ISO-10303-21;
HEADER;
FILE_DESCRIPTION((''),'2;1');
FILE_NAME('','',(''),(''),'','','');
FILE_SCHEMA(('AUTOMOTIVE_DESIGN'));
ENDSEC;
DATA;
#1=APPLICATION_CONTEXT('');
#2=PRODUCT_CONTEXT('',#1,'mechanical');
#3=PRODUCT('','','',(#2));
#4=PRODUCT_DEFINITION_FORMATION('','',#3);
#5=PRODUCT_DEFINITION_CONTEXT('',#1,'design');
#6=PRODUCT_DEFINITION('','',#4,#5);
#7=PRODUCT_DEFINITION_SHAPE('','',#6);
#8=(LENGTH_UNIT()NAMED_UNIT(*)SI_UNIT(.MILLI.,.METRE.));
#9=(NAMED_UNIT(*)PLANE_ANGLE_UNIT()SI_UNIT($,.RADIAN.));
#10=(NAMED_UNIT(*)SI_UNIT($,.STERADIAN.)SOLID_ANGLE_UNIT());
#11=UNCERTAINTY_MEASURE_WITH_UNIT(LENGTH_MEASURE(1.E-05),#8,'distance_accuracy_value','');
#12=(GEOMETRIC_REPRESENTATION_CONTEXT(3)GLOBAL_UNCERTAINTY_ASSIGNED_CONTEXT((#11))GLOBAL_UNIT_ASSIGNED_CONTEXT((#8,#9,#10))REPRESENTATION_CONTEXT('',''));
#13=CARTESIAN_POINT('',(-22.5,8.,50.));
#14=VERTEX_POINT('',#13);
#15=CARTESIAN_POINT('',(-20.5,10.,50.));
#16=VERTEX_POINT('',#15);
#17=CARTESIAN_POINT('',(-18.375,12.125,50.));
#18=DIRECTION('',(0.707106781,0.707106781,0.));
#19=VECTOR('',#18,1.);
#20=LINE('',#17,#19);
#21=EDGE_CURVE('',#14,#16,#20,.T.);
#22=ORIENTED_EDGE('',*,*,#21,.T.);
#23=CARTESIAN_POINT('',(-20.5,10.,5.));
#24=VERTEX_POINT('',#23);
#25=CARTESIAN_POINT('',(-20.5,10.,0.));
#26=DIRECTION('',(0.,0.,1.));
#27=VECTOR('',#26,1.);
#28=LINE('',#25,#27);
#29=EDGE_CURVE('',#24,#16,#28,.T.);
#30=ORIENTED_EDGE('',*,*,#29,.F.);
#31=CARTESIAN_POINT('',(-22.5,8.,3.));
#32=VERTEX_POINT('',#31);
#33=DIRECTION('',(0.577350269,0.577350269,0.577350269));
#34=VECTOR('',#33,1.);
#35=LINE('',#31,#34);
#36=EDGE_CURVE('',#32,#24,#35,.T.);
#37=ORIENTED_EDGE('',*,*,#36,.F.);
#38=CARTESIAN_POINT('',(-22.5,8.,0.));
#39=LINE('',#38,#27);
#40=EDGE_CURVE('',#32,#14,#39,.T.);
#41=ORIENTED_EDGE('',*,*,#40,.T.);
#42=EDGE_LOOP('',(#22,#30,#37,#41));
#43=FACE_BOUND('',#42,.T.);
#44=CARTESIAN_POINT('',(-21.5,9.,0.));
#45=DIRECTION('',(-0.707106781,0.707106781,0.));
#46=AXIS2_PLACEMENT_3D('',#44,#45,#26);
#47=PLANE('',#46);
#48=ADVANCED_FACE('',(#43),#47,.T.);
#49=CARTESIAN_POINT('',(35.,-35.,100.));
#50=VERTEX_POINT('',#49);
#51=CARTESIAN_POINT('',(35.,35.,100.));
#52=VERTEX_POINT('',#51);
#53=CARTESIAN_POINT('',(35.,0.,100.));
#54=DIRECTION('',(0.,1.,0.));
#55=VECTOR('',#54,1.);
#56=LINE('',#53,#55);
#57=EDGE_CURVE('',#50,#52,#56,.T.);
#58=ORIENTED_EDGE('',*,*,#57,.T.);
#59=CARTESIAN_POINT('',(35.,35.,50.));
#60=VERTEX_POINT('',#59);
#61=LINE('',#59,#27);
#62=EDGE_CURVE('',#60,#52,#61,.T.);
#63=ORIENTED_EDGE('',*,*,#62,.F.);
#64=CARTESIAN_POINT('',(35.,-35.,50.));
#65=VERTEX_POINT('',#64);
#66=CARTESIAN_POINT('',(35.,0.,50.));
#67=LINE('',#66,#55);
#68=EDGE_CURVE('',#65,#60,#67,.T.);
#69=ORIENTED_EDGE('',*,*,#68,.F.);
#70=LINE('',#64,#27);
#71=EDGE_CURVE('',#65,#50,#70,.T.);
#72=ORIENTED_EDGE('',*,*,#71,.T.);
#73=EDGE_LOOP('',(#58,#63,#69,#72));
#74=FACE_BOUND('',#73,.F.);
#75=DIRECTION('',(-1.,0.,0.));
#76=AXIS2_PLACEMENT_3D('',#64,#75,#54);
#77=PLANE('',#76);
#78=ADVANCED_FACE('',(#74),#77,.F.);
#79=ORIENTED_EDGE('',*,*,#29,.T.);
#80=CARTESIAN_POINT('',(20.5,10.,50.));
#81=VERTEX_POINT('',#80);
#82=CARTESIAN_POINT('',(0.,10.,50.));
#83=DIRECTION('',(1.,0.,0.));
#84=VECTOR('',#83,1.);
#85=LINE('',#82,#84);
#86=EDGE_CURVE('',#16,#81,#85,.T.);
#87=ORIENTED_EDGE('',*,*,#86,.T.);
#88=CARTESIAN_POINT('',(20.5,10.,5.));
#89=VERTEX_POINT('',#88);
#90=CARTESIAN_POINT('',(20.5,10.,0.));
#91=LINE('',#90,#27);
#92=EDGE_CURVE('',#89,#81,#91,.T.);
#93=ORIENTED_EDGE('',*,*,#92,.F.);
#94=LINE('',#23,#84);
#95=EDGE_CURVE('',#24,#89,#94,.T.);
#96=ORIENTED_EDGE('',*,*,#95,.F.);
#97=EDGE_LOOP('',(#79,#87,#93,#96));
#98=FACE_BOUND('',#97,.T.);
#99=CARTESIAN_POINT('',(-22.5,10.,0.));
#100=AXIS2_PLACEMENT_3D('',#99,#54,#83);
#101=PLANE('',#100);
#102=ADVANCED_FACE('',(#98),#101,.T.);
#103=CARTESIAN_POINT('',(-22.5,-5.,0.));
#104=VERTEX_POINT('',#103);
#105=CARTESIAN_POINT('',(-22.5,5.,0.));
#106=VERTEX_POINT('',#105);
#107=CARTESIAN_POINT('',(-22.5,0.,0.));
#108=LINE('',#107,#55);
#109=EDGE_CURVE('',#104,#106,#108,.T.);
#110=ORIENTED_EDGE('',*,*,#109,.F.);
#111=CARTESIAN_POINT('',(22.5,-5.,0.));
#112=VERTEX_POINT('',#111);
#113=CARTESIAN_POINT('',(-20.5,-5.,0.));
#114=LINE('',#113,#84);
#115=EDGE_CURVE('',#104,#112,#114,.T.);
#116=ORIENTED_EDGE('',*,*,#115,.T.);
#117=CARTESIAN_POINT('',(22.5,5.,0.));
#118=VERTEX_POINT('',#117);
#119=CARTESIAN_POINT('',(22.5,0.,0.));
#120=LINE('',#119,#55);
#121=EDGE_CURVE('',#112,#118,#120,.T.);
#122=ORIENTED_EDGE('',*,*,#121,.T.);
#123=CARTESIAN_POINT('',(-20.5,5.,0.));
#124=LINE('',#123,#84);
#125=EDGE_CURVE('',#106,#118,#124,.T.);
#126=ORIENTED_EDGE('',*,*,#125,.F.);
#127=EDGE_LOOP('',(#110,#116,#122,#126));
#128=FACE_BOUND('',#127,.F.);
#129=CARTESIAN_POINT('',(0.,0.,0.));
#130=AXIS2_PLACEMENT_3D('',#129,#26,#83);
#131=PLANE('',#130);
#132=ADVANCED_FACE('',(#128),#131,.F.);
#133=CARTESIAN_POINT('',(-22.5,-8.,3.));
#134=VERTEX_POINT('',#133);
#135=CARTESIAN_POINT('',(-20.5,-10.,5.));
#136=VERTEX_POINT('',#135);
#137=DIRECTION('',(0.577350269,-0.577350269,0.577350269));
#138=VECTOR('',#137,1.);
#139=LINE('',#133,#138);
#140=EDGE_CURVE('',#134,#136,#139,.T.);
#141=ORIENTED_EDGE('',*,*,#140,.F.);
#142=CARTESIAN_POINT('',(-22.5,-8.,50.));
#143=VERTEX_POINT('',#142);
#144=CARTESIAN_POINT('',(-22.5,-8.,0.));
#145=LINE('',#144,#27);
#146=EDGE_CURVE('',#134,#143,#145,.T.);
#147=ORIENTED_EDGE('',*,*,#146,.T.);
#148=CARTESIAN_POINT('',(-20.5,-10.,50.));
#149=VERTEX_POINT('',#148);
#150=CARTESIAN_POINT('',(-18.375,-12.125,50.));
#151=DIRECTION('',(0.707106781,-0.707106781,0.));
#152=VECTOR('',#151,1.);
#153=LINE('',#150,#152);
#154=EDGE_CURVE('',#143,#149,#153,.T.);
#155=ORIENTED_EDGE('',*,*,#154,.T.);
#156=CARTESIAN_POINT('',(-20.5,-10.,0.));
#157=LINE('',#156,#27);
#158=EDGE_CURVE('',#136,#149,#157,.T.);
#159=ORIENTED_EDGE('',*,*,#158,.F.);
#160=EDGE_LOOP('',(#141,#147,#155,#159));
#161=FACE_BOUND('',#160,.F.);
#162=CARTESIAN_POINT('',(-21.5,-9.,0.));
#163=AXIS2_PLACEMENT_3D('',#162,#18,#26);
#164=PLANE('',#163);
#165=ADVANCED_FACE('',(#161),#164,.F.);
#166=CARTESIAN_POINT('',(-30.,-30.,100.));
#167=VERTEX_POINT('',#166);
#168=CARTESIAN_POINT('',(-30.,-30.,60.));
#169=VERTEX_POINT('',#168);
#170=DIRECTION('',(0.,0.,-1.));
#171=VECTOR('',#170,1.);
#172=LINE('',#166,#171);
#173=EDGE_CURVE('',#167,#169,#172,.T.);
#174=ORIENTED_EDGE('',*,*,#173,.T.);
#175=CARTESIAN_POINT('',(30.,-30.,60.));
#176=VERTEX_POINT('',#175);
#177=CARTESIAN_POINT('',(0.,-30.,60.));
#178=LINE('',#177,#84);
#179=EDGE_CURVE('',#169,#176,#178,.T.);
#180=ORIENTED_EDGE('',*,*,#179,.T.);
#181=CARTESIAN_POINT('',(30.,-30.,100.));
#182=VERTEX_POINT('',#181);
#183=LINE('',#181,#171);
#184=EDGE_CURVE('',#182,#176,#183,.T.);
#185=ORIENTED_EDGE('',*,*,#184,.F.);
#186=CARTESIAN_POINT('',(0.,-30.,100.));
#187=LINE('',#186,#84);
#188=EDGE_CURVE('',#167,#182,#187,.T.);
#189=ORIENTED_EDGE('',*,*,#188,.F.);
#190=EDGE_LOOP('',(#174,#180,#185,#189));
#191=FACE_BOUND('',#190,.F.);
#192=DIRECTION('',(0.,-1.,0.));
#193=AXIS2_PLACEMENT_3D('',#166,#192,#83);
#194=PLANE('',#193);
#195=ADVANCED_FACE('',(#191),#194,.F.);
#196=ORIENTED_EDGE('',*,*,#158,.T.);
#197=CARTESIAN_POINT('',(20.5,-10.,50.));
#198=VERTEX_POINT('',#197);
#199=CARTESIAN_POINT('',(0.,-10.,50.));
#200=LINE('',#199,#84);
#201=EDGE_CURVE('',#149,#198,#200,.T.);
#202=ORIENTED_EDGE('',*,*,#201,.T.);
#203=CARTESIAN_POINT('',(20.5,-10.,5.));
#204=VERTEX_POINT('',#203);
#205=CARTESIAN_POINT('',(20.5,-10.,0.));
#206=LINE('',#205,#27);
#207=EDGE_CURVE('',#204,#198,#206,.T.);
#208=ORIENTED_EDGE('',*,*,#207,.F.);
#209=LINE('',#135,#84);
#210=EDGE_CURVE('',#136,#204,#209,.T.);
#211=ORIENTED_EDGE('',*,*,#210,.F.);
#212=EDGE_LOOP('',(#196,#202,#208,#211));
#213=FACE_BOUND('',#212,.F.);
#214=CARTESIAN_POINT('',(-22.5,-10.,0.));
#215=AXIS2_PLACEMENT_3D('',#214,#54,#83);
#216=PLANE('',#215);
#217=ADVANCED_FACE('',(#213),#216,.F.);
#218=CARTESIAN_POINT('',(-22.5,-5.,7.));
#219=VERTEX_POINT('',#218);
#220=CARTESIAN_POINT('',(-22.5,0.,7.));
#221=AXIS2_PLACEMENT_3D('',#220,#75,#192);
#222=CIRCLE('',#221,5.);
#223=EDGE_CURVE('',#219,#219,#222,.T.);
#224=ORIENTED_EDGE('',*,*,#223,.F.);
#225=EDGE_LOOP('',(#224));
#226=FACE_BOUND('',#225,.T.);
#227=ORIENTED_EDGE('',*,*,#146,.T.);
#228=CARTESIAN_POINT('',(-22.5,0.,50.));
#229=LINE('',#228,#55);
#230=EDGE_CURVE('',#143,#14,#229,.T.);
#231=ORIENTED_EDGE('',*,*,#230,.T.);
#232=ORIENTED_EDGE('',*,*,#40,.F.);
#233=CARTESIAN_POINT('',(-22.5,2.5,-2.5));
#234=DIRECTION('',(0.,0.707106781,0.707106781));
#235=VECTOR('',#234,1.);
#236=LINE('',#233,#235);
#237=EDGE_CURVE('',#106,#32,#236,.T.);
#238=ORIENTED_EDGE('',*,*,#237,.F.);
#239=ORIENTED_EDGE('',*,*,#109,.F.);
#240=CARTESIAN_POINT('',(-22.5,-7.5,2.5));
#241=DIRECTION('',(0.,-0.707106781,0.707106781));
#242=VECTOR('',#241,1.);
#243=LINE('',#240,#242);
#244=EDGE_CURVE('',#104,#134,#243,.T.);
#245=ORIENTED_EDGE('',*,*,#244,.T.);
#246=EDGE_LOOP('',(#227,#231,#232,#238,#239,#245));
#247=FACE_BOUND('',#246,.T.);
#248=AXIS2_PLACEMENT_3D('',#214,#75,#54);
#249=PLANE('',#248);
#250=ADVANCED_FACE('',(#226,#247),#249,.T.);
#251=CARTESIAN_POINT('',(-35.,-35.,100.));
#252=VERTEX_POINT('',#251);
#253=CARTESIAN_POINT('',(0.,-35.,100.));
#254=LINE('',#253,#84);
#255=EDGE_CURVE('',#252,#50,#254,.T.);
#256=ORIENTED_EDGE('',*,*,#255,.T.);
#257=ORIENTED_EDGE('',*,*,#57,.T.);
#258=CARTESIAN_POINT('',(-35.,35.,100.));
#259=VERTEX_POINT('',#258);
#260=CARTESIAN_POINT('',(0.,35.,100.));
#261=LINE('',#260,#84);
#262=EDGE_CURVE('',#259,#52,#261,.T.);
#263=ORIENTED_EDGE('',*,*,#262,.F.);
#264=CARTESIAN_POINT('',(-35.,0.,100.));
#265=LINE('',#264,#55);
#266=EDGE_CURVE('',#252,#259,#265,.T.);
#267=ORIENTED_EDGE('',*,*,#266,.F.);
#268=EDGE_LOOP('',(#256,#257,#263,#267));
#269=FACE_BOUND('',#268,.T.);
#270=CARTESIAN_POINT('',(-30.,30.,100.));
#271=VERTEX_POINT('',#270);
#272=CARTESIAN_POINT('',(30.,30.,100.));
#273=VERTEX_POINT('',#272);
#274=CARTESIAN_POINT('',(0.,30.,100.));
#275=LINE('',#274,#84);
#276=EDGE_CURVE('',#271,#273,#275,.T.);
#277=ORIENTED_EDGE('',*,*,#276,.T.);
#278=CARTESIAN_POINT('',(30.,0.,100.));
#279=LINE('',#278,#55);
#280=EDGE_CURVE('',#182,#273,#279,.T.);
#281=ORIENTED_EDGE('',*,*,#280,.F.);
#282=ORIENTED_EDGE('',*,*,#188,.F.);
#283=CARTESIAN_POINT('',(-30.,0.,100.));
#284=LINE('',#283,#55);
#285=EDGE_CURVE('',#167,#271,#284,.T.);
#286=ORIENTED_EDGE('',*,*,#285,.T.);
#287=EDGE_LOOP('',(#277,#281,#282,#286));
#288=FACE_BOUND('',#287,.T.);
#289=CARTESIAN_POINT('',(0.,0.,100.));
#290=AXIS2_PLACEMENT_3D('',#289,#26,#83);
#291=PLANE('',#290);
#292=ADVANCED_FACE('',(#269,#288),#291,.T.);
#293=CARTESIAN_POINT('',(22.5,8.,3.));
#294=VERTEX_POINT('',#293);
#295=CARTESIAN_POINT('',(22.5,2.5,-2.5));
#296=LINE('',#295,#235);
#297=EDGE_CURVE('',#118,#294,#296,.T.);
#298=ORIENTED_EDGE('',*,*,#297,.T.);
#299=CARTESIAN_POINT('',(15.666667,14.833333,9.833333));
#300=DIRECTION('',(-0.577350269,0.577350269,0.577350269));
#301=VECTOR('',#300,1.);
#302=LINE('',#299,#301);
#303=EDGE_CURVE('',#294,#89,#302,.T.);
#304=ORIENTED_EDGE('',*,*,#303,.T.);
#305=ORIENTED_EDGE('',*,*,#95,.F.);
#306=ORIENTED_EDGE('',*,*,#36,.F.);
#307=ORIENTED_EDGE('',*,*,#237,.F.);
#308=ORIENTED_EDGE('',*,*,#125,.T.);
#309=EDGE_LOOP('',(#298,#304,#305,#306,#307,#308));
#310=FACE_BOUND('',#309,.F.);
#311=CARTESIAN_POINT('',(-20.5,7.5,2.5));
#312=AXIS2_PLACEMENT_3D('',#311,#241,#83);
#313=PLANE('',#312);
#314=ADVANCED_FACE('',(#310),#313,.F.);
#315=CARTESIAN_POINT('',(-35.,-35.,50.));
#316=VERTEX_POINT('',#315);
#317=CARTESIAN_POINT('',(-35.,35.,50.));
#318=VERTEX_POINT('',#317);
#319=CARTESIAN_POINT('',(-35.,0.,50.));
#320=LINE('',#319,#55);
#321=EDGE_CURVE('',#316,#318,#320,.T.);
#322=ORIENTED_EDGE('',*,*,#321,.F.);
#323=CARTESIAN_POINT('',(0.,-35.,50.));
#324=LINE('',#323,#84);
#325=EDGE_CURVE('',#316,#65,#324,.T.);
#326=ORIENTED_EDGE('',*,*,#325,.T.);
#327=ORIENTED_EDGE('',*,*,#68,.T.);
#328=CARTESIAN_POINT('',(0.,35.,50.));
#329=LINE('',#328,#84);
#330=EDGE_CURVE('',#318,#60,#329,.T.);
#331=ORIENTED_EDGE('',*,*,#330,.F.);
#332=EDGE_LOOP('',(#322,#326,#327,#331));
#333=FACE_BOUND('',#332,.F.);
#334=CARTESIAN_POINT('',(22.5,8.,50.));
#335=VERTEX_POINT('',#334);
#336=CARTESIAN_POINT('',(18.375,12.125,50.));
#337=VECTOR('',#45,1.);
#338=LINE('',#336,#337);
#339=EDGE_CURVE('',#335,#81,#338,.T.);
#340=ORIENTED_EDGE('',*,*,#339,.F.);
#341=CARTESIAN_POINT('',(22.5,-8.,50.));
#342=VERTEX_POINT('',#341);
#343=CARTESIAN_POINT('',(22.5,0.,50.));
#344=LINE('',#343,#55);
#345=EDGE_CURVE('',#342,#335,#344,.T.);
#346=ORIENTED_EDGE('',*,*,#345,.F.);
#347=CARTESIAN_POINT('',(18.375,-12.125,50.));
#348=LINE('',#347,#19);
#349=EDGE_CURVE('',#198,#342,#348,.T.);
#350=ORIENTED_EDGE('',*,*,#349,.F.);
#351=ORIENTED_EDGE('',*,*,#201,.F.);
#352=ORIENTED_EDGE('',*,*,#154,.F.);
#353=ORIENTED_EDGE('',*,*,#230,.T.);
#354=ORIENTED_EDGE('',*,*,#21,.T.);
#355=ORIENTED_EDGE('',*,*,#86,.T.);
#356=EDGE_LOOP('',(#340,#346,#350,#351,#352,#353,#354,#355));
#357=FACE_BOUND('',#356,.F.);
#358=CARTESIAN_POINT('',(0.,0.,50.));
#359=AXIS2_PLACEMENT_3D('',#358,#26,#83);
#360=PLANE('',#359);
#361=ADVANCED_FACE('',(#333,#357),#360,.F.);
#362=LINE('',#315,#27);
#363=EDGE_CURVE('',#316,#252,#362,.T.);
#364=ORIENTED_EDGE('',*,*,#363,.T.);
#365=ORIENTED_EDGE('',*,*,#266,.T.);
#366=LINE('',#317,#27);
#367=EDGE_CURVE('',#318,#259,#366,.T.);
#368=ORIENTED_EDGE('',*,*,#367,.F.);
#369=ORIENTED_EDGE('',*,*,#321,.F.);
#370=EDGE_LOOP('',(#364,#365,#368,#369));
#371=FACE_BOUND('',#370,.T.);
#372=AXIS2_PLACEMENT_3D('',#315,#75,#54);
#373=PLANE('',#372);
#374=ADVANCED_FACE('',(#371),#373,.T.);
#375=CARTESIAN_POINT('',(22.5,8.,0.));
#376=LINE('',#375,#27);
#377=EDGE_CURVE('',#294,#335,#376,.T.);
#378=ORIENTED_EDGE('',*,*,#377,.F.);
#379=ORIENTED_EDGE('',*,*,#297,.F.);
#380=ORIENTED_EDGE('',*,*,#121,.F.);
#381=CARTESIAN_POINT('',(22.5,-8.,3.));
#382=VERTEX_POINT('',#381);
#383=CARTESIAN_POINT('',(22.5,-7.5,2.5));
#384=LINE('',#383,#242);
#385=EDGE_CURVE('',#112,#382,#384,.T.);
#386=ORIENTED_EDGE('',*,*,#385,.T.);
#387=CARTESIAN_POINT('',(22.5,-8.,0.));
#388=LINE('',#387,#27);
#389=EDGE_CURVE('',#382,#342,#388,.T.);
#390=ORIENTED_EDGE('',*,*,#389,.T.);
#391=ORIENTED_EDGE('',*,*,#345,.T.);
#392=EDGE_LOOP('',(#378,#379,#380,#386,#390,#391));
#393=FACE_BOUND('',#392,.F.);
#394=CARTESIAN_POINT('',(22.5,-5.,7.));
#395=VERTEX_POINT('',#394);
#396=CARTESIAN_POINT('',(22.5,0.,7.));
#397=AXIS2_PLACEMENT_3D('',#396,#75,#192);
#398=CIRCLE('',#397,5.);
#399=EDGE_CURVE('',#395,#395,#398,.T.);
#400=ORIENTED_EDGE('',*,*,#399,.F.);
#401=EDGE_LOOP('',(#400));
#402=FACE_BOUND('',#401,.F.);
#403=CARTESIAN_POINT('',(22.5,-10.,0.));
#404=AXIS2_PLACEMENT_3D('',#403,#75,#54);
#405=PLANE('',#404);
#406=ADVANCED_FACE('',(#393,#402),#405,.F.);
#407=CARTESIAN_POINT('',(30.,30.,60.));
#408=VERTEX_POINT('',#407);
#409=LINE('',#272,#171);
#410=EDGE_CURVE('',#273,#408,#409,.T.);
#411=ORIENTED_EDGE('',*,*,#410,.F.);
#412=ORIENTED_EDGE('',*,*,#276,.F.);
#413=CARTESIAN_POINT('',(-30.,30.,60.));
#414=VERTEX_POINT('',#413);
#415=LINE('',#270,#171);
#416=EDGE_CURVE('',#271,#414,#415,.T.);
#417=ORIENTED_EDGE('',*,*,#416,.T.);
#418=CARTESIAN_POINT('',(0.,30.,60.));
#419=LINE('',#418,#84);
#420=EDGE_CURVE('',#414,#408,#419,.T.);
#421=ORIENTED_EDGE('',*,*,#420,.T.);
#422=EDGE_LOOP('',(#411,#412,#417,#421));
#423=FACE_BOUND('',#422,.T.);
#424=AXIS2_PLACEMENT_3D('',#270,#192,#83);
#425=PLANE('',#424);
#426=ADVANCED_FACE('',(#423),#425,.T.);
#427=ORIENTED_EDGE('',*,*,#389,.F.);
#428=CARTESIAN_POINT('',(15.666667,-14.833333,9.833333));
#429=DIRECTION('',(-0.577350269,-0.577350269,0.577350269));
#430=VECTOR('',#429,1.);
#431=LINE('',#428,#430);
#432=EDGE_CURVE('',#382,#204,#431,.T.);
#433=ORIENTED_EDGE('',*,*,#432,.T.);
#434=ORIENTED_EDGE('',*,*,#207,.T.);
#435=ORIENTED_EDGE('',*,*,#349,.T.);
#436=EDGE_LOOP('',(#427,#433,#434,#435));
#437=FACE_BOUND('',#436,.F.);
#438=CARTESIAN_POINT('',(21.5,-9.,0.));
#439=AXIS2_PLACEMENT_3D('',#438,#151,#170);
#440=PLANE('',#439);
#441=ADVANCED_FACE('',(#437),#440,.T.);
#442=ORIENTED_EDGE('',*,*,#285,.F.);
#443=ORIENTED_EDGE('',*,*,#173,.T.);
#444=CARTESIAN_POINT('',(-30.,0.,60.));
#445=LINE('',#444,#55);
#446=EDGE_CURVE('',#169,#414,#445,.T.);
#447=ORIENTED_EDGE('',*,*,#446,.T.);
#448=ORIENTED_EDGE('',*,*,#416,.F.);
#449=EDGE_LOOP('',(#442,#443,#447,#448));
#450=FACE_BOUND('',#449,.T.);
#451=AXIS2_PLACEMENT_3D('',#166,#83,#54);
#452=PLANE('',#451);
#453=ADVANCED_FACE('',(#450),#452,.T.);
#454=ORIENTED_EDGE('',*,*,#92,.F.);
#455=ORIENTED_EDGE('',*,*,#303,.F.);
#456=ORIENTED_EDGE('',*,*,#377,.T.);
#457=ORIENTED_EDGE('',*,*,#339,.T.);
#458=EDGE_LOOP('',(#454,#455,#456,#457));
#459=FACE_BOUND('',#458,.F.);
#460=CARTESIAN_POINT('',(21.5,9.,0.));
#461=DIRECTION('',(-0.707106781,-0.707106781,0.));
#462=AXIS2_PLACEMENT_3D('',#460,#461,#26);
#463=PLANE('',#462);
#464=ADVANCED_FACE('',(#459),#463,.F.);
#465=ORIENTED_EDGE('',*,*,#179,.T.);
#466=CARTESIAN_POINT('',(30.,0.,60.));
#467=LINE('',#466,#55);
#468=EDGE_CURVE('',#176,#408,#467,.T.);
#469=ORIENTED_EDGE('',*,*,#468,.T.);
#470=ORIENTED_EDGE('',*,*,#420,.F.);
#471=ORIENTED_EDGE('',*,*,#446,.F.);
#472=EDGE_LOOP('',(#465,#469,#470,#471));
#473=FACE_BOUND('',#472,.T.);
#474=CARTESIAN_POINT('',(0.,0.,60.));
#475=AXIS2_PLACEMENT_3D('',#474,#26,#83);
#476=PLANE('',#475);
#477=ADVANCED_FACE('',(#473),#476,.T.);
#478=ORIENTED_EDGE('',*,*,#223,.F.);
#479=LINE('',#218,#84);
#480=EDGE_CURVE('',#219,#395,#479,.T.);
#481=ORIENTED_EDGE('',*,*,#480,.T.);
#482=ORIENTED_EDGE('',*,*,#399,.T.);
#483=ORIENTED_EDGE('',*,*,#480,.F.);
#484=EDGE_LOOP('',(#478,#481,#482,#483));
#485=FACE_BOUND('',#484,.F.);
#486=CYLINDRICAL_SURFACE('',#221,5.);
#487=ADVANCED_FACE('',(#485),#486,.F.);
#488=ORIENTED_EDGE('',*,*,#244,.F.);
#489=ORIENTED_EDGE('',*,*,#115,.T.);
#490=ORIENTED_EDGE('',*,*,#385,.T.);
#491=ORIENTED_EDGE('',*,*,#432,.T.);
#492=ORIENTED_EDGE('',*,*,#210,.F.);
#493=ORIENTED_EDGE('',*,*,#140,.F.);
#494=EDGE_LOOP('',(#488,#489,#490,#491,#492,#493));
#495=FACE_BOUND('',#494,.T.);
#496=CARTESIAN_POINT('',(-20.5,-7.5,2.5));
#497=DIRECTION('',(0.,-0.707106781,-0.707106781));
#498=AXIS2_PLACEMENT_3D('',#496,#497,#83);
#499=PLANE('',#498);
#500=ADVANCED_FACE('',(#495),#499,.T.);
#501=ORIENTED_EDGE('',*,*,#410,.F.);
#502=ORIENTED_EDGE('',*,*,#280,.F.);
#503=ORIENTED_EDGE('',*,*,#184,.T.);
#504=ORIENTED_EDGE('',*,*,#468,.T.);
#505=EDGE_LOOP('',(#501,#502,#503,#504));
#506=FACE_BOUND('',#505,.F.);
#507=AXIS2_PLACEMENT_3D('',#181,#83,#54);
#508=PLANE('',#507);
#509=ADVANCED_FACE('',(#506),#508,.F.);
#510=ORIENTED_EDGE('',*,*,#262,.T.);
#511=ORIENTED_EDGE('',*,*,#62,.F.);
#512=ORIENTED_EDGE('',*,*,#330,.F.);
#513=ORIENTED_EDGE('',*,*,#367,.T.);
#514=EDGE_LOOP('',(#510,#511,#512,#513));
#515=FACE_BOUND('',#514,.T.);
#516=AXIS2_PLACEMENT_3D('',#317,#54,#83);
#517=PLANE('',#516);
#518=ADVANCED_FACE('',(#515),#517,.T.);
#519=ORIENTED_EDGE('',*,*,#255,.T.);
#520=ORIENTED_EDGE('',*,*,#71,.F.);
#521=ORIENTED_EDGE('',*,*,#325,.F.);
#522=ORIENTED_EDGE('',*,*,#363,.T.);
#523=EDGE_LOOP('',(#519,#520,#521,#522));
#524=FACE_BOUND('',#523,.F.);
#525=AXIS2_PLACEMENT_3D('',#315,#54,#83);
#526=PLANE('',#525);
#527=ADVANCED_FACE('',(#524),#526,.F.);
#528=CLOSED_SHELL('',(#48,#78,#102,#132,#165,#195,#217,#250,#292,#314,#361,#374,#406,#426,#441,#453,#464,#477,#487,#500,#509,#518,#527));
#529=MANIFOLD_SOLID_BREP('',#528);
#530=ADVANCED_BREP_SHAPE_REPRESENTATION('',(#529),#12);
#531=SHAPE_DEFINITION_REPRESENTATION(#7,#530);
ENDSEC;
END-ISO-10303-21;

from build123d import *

# Parameters (mm, degrees)
F0_W     = 45
F0_H     = 20
F1_DEPTH = 50
F3_SIZE  = 2
F4_SIZE  = 5
F2_R     = 5
F5_DEPTH = 45
F6_W     = 70
F6_H     = 70
F7_DEPTH = 50
F8_W     = 60
F8_H     = 60
F9_DEPTH = 40


with BuildPart() as f1:
    # F0 (on Top) → F1 (new body)
    with BuildSketch(Plane.XY):
        Rectangle(F0_W, F0_H)
    extrude(amount=F1_DEPTH)

    # F3
    f3_edges = [f1.edges().sort_by_distance(p)[0] for p in [
        (-22.5, -10, 25),
        (-22.5, 10, 25),
        (22.5, -10, 25),
        (22.5, 10, 25),
    ]]
    chamfer(f3_edges, length=F3_SIZE)

    # F4
    f4_edges = [f1.edges().sort_by_distance(p)[0] for p in [
        (0, 10, 0),
        (0, -10, 0),
    ]]
    chamfer(f4_edges, length=F4_SIZE)

    # F2 (on face) → F5 (cut, through all)
    with BuildSketch(Plane(origin=(-22.5, 0, 0), x_dir=(0, -1, 0), z_dir=(-1, 0, 0))):
        with Locations((0, 7)):
            Circle(F2_R)
    extrude(amount=-F5_DEPTH, mode=Mode.SUBTRACT)

    # F6 (on face) → F7 (join)
    with BuildSketch(Plane.XY.offset(50)):
        Rectangle(F6_W, F6_H)
    extrude(amount=F7_DEPTH)

    # F8 (on face) → F9 (cut)
    with BuildSketch(Plane.XY.offset(100)):
        Rectangle(F8_W, F8_H)
    extrude(amount=-F9_DEPTH, mode=Mode.SUBTRACT)


solid = f1.part
